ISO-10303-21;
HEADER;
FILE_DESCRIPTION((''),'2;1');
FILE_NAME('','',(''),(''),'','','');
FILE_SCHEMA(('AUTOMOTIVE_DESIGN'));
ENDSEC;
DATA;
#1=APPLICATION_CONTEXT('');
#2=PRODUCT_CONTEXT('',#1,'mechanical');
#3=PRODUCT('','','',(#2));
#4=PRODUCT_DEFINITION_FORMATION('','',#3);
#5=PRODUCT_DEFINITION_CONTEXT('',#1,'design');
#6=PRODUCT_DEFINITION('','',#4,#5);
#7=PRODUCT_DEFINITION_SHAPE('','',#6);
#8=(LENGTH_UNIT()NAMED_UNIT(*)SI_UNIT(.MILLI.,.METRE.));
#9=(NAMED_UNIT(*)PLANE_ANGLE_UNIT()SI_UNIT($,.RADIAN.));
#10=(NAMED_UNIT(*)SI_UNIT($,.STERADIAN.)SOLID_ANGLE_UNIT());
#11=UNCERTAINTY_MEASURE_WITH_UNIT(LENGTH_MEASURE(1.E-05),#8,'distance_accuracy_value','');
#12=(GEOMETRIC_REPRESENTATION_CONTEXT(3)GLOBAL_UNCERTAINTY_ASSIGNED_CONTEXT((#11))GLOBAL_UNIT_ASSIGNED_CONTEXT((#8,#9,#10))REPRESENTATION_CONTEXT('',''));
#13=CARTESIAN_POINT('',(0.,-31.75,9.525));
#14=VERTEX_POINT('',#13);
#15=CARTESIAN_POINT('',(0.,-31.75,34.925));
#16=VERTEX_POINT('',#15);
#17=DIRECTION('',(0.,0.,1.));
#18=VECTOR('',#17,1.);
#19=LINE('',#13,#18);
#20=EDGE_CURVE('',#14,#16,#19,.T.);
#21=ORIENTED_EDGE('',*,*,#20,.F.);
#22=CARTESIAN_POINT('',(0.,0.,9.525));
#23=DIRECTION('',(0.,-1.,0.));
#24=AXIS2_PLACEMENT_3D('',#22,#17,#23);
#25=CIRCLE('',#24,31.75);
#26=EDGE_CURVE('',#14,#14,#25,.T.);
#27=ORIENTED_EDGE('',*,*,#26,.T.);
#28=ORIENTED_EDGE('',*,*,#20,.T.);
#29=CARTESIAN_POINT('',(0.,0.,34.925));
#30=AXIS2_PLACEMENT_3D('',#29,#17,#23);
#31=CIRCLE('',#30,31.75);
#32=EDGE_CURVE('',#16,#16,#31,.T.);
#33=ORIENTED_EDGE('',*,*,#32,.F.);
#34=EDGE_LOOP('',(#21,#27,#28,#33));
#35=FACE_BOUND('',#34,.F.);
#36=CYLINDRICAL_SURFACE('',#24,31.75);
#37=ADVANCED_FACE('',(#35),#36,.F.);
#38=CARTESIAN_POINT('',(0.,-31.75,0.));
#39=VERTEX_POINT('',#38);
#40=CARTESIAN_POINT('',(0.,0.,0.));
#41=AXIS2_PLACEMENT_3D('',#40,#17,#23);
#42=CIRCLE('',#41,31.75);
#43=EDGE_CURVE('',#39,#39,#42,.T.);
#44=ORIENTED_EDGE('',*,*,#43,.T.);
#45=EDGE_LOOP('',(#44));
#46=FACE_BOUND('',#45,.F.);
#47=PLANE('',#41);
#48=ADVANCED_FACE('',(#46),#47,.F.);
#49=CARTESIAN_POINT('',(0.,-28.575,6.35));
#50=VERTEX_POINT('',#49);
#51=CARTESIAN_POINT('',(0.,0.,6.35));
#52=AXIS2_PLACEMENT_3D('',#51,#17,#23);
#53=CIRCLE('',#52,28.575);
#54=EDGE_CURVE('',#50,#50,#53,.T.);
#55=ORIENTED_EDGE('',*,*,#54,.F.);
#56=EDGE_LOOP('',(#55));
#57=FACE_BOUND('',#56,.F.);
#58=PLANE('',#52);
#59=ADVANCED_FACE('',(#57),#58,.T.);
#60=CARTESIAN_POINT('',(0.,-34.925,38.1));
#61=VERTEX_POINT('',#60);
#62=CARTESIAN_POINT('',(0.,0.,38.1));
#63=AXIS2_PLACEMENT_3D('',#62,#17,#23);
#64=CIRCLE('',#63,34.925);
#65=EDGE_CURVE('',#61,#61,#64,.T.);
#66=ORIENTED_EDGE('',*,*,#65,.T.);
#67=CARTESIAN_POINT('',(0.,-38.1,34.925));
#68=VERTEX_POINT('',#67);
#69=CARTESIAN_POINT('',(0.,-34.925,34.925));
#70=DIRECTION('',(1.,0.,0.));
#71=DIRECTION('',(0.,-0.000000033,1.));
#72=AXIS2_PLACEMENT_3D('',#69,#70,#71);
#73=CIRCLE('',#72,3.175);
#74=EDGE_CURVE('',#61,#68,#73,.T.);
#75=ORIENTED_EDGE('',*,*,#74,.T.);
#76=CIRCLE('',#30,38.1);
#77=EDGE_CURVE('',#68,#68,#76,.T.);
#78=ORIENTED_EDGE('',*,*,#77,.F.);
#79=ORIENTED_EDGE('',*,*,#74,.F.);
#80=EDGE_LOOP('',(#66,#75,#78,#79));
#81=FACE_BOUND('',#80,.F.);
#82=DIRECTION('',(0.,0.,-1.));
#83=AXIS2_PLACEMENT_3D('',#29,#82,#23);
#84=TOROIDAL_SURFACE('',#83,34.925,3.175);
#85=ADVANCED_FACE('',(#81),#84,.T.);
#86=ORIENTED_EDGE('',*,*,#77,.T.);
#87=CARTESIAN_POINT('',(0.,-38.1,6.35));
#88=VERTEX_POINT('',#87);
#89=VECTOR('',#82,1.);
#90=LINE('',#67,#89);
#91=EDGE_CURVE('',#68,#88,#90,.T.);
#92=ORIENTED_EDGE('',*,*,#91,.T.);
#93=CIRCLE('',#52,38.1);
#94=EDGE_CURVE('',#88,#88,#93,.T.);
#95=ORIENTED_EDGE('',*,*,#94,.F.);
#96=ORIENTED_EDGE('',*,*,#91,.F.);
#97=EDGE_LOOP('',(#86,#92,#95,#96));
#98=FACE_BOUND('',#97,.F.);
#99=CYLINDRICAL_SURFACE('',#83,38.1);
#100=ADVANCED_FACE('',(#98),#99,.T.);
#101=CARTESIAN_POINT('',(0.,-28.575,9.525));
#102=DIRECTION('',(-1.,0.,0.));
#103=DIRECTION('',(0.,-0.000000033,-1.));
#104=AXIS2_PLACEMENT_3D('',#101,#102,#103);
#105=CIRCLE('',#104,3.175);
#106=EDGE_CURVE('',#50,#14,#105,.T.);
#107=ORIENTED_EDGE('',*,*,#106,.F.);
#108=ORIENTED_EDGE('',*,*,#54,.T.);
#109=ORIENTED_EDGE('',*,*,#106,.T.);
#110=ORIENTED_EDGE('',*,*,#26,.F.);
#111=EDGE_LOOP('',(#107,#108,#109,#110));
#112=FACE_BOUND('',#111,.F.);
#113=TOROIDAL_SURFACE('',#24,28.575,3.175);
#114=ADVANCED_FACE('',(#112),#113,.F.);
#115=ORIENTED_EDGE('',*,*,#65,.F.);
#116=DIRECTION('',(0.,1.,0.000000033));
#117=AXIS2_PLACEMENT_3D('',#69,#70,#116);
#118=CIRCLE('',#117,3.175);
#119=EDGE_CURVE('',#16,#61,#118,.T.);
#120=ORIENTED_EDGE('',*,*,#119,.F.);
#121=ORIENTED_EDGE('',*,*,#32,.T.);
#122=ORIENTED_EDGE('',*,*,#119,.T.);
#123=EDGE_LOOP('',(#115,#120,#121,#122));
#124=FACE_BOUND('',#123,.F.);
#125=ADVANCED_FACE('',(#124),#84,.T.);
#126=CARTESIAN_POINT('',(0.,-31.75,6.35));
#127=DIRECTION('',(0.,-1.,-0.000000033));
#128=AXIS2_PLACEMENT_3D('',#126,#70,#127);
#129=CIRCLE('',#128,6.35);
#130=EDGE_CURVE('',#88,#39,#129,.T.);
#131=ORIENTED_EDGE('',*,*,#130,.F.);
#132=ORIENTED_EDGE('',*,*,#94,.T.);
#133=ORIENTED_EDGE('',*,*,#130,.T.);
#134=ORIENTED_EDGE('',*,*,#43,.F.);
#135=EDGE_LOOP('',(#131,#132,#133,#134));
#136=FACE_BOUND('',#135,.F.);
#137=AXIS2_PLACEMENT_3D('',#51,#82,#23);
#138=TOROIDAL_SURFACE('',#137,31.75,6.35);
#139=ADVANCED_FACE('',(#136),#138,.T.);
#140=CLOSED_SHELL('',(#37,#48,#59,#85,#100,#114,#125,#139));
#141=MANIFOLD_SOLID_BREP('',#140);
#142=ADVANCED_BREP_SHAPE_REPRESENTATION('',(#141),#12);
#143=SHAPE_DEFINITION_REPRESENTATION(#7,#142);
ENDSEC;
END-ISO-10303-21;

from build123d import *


with BuildPart() as f1:
    # F0 (on Right) → F1 (revolve)
    with BuildSketch(Plane.YZ):
        with BuildLine():
            Line((-31.75, 0), (0, 0))
            Line((0, 0), (0, 6.35))
            Line((0, 6.35), (-28.575, 6.35))
            ThreePointArc((-28.575, 6.35), (-30.820064, 7.279936), (-31.75, 9.525))
            Line((-31.75, 9.525), (-31.75, 34.925))
            ThreePointArc((-31.75, 34.925), (-32.679936, 37.170064), (-34.925, 38.1))
            ThreePointArc((-34.925, 38.1), (-37.170064, 37.170064), (-38.1, 34.925))
            Line((-38.1, 34.925), (-38.1, 6.35))
            ThreePointArc((-38.1, 6.35), (-36.240128, 1.859872), (-31.75, 0))
        make_face()
    revolve(axis=Axis((0, 0, 19.05), (0, 0, 1)))


solid = f1.part
